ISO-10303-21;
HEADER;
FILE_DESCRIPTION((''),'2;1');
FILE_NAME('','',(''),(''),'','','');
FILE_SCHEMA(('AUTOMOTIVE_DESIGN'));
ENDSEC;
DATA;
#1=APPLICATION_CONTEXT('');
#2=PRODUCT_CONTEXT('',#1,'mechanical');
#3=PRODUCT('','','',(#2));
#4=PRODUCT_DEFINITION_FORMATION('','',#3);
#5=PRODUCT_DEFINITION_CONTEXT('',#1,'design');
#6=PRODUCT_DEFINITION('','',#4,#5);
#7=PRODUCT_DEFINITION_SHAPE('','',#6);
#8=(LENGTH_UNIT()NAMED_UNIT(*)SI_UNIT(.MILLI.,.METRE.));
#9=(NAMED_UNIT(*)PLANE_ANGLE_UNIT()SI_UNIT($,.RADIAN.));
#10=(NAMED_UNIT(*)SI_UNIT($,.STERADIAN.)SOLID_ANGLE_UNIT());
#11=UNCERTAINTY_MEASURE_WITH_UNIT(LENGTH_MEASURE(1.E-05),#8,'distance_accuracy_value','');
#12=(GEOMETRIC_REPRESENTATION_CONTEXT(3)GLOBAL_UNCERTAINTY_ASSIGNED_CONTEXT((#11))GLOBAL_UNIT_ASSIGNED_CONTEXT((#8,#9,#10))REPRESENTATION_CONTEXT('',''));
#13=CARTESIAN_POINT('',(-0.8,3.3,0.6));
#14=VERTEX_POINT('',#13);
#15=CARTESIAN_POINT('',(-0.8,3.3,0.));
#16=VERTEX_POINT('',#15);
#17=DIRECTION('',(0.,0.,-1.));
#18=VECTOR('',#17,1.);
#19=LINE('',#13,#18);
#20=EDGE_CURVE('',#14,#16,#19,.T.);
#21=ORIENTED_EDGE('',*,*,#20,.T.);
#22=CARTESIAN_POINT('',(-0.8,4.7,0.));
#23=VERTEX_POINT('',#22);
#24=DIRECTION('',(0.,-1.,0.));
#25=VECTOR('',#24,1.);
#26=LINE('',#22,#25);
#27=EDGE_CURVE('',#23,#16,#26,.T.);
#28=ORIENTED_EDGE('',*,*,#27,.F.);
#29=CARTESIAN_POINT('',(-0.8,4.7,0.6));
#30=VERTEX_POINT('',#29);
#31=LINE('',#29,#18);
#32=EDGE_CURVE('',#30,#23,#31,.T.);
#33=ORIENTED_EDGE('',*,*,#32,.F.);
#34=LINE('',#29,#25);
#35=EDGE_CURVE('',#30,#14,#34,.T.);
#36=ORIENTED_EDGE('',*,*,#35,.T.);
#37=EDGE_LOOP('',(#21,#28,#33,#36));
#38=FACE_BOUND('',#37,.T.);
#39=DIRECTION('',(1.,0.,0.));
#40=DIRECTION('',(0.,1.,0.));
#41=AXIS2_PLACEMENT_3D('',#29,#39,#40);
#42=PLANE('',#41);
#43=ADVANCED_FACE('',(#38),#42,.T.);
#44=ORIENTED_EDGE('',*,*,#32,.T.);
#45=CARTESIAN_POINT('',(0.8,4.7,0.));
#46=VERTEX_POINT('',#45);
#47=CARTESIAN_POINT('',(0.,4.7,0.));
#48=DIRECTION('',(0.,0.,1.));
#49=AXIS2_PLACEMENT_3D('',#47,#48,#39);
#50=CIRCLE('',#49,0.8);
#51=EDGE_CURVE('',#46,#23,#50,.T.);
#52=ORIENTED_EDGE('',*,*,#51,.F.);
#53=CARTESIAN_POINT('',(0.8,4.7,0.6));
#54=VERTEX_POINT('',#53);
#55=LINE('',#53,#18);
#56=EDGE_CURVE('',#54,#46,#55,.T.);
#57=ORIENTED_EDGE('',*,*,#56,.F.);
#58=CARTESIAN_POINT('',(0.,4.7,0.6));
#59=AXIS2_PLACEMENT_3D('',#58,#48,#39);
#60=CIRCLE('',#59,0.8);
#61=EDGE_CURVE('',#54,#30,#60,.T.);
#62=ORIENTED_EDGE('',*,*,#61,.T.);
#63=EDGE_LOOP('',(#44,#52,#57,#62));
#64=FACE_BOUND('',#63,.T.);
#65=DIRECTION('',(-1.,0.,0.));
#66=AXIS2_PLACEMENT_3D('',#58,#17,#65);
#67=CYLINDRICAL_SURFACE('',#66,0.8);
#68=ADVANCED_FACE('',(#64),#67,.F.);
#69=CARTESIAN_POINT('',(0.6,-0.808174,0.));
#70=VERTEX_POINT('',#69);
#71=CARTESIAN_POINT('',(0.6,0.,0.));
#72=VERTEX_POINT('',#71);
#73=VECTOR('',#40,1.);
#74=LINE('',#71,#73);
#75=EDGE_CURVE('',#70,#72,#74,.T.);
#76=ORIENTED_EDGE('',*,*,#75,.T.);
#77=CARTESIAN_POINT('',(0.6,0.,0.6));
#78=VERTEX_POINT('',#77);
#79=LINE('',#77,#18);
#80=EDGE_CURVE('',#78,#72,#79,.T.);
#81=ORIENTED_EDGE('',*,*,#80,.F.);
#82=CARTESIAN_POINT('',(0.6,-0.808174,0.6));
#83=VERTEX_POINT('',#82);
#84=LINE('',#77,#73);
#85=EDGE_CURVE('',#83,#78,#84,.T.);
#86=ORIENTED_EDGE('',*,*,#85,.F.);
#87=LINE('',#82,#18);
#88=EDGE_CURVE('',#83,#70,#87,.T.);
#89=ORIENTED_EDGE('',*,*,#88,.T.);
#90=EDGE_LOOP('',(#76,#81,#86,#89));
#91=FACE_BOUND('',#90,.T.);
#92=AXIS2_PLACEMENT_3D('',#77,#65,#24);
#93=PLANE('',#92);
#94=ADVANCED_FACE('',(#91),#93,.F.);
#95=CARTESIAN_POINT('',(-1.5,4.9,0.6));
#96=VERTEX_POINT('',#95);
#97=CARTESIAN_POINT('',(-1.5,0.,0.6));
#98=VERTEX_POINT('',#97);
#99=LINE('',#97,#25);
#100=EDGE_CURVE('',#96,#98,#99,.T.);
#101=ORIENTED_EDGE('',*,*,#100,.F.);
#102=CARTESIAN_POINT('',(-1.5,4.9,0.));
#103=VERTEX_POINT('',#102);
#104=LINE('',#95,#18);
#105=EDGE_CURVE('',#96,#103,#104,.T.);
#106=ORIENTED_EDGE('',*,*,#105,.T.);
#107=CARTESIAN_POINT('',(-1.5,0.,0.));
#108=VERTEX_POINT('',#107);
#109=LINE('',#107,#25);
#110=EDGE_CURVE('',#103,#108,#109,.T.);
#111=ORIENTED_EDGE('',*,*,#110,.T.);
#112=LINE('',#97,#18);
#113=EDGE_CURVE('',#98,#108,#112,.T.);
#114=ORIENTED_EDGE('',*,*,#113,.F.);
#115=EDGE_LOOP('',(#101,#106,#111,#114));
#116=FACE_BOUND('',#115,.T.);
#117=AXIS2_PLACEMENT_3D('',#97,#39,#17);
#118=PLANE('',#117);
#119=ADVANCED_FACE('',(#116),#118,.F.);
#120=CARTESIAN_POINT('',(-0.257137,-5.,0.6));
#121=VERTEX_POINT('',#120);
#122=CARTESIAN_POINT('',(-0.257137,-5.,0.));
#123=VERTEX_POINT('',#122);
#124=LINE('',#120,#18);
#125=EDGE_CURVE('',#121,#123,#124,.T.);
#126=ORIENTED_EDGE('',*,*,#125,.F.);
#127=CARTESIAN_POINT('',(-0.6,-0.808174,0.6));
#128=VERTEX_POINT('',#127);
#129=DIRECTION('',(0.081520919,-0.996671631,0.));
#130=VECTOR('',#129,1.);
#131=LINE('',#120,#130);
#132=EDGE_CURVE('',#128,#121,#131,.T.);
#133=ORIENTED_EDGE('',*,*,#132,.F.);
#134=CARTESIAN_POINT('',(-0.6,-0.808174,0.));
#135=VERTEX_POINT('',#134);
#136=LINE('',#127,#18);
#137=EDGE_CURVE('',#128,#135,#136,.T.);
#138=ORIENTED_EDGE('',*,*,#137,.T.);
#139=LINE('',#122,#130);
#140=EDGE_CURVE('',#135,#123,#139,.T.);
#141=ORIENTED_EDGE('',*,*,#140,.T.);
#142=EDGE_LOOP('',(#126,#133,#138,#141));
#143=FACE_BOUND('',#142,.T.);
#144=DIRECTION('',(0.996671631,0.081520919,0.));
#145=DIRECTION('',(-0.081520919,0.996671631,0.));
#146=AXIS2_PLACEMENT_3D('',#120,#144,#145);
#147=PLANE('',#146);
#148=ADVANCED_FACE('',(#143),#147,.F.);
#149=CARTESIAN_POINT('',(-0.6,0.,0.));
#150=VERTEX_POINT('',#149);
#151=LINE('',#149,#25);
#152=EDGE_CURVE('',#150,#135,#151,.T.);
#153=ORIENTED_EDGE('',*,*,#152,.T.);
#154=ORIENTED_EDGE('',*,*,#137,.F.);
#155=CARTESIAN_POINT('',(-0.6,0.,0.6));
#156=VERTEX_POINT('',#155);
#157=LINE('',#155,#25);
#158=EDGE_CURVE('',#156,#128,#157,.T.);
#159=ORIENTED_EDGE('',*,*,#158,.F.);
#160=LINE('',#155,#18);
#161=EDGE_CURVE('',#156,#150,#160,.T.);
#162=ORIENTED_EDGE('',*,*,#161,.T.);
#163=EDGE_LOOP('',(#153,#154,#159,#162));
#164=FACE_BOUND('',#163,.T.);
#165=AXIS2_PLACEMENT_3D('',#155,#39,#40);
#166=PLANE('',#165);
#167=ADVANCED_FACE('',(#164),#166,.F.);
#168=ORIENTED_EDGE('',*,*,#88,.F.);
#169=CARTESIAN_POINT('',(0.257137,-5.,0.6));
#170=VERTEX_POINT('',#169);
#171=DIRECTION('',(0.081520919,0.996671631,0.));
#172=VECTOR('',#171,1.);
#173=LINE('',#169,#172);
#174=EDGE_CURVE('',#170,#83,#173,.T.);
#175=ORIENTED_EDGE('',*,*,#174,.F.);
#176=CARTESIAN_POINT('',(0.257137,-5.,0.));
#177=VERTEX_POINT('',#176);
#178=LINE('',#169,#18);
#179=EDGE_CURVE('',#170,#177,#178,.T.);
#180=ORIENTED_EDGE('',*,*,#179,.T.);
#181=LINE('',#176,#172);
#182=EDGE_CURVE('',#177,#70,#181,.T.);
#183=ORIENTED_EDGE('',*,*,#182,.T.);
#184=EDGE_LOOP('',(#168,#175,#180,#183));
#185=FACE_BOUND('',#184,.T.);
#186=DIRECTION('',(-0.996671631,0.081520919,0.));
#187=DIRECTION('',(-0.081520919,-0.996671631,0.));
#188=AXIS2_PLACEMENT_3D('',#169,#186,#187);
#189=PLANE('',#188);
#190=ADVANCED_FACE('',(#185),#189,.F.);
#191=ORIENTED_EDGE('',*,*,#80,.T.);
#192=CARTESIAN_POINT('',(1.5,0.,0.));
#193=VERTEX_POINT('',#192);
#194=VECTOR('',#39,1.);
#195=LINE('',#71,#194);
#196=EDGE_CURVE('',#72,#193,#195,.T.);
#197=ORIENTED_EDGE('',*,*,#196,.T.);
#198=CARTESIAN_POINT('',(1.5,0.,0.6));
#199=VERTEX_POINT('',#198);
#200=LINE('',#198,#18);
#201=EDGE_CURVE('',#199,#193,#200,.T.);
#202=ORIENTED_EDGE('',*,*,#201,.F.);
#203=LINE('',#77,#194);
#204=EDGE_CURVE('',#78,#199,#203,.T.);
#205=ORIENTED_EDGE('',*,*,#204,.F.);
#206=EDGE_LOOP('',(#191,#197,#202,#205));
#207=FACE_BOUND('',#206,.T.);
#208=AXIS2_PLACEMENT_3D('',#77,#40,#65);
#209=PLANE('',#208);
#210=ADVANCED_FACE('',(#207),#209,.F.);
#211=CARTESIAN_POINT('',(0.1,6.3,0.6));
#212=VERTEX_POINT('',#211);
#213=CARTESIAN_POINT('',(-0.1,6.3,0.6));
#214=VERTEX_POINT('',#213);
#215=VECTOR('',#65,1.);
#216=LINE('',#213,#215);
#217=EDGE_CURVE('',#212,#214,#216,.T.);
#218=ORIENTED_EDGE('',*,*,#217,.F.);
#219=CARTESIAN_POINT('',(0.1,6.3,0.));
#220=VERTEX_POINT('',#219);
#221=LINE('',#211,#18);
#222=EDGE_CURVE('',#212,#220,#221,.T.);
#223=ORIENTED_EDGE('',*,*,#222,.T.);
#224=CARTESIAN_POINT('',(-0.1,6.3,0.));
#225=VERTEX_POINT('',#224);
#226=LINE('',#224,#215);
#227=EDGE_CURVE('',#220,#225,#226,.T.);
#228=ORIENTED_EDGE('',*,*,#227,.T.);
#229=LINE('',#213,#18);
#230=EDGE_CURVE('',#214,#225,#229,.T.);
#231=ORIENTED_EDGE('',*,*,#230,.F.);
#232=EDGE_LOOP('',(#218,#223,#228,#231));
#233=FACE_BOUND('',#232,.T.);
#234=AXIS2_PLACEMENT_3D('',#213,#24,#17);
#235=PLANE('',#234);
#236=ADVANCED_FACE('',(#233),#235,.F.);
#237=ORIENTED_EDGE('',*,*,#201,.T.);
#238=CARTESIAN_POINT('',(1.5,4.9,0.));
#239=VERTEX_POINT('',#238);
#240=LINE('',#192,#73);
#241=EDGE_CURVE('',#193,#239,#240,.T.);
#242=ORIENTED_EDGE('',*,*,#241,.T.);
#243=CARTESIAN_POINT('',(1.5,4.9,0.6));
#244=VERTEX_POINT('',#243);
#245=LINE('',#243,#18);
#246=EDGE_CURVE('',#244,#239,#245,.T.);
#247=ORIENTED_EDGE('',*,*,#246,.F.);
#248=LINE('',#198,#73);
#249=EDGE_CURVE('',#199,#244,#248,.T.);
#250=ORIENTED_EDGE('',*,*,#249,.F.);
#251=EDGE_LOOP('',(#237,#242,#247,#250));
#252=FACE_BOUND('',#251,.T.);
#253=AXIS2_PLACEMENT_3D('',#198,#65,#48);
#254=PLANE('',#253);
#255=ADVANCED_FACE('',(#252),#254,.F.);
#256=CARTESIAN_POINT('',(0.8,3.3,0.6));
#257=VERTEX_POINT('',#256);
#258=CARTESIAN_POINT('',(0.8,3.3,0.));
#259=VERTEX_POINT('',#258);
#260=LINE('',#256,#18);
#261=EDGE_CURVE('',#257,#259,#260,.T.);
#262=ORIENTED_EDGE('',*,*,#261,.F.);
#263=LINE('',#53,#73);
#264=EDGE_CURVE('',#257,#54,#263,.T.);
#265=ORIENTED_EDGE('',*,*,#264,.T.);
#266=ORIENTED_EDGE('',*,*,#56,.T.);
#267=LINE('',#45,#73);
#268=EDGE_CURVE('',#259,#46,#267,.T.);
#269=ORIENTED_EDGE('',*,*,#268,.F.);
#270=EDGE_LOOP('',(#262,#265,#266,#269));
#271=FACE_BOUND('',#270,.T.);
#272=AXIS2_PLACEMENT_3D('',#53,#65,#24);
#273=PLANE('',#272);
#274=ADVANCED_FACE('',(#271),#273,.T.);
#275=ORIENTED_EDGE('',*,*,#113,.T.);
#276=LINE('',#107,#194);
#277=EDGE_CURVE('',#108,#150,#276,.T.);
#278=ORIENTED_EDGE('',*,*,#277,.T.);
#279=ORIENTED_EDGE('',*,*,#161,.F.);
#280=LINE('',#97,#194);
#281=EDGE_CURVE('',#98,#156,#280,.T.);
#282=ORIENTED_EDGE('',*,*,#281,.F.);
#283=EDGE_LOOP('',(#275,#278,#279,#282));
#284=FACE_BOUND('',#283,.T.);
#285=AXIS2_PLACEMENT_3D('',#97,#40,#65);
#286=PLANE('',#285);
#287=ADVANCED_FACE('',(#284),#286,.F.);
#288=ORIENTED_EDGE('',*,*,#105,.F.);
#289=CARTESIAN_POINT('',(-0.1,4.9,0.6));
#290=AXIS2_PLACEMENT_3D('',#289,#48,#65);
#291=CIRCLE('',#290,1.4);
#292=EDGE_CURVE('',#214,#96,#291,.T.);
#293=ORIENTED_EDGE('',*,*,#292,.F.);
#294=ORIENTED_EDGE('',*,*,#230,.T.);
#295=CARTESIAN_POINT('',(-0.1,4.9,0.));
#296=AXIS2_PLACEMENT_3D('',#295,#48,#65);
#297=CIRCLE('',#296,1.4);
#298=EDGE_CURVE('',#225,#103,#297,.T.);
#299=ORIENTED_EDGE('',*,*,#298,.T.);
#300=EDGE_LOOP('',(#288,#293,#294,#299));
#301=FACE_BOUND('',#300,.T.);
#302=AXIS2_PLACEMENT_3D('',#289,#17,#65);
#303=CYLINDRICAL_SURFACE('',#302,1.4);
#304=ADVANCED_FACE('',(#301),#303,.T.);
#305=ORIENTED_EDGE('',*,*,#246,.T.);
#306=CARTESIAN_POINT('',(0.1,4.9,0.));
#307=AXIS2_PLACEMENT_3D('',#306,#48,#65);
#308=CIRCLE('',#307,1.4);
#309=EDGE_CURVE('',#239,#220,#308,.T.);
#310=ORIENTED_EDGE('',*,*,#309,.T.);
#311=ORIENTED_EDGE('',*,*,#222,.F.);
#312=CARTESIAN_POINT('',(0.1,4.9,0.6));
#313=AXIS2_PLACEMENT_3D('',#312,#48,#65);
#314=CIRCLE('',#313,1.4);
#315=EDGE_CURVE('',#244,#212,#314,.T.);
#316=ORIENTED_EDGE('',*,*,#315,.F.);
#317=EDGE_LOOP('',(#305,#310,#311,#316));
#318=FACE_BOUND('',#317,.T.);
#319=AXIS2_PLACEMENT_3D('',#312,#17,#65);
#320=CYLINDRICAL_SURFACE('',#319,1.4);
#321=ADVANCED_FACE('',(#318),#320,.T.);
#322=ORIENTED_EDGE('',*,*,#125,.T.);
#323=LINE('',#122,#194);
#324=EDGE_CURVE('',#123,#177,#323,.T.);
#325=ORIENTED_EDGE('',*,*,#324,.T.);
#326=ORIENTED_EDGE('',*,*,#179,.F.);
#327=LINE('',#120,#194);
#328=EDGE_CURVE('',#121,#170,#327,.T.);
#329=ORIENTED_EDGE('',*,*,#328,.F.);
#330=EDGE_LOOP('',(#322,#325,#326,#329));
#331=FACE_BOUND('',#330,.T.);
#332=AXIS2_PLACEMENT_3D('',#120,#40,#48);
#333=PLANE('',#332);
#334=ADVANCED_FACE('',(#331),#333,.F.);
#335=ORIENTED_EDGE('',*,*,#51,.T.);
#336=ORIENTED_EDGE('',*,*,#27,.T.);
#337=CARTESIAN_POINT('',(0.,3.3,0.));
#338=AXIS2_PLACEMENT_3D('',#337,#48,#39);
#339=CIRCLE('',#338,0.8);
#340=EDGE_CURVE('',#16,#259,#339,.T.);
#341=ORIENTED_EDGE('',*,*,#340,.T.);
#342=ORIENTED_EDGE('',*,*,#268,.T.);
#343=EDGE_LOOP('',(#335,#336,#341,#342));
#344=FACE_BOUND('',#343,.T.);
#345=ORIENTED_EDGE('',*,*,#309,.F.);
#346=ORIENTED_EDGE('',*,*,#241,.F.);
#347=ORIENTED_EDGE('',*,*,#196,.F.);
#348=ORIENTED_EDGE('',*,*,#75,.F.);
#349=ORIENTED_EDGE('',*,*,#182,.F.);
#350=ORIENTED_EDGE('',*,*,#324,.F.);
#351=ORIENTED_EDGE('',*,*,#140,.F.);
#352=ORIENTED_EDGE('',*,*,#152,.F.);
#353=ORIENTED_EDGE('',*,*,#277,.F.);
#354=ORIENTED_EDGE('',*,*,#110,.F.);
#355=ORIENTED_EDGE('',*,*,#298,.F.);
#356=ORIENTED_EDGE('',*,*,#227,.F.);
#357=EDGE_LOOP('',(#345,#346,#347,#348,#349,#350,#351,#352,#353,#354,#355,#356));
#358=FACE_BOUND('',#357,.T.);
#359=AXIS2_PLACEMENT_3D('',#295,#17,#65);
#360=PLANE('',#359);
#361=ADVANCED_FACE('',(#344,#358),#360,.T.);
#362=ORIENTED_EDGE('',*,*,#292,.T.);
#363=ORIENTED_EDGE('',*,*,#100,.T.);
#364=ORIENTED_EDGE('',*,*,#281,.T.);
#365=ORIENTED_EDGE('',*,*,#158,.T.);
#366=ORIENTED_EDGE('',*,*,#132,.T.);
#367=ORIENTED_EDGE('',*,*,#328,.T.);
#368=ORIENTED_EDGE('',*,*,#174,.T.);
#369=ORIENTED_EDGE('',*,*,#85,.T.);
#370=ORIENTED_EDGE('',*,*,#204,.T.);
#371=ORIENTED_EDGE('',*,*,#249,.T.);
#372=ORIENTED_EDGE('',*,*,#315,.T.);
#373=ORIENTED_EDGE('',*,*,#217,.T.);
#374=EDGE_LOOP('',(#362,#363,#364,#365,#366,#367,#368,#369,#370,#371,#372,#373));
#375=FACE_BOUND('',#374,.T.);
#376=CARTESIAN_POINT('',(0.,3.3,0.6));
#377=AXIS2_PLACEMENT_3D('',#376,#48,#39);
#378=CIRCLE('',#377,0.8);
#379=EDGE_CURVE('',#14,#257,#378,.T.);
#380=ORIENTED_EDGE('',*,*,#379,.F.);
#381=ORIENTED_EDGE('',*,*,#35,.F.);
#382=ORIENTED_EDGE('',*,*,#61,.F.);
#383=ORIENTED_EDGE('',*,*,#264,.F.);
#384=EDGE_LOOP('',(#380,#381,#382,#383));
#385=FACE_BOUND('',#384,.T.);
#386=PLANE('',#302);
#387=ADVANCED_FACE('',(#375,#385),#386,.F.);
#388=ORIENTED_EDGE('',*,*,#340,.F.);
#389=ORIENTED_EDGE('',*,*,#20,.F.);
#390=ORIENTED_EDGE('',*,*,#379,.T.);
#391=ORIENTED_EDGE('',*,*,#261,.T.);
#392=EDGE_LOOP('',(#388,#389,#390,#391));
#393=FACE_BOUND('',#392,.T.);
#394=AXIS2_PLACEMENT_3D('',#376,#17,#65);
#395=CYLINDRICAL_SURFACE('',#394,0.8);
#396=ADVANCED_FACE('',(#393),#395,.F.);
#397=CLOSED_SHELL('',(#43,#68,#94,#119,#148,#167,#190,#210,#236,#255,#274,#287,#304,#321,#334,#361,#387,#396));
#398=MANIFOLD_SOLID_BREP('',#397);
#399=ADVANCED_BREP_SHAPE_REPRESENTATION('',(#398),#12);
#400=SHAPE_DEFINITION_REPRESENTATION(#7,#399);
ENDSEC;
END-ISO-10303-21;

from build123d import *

# Parameters (mm, degrees)
ESTRUSIONE_ESTRUSIONE1_DEPTH = 0.6


with BuildPart() as part:
    # Schizzo1 → Estrusione-Estrusione1 (new body)
    with BuildSketch(Plane.XY):
        with BuildLine():
            Line((-1.5, 0), (-0.6, 0))
            Line((-0.6, 0), (-0.6, -0.808174013))
            Line((-0.6, -0.808174013), (-0.257137319, -5))
            Line((-0.257137319, -5), (0.257137319, -5))
            Line((0.257137319, -5), (0.6, -0.808174013))
            Line((0.6, -0.808174013), (0.6, 0))
            Line((0.6, 0), (1.5, 0))
            Line((1.5, 0), (1.5, 4.9))
            ThreePointArc((1.5, 4.9), (1.089949494, 5.889949494), (0.1, 6.3))
            Line((0.1, 6.3), (-0.1, 6.3))
            ThreePointArc((-0.1, 6.3), (-1.089949494, 5.889949494), (-1.5, 4.9))
            Line((-1.5, 4.9), (-1.5, 0))
        make_face()
        with BuildLine():
            Line((0.8, 4.7), (0.8, 3.3))
            ThreePointArc((0.8, 3.3), (0, 2.5), (-0.8, 3.3))
            Line((-0.8, 3.3), (-0.8, 4.7))
            ThreePointArc((-0.8, 4.7), (0, 5.5), (0.8, 4.7))
        make_face(mode=Mode.SUBTRACT)
    extrude(amount=ESTRUSIONE_ESTRUSIONE1_DEPTH)


solid = part.part
